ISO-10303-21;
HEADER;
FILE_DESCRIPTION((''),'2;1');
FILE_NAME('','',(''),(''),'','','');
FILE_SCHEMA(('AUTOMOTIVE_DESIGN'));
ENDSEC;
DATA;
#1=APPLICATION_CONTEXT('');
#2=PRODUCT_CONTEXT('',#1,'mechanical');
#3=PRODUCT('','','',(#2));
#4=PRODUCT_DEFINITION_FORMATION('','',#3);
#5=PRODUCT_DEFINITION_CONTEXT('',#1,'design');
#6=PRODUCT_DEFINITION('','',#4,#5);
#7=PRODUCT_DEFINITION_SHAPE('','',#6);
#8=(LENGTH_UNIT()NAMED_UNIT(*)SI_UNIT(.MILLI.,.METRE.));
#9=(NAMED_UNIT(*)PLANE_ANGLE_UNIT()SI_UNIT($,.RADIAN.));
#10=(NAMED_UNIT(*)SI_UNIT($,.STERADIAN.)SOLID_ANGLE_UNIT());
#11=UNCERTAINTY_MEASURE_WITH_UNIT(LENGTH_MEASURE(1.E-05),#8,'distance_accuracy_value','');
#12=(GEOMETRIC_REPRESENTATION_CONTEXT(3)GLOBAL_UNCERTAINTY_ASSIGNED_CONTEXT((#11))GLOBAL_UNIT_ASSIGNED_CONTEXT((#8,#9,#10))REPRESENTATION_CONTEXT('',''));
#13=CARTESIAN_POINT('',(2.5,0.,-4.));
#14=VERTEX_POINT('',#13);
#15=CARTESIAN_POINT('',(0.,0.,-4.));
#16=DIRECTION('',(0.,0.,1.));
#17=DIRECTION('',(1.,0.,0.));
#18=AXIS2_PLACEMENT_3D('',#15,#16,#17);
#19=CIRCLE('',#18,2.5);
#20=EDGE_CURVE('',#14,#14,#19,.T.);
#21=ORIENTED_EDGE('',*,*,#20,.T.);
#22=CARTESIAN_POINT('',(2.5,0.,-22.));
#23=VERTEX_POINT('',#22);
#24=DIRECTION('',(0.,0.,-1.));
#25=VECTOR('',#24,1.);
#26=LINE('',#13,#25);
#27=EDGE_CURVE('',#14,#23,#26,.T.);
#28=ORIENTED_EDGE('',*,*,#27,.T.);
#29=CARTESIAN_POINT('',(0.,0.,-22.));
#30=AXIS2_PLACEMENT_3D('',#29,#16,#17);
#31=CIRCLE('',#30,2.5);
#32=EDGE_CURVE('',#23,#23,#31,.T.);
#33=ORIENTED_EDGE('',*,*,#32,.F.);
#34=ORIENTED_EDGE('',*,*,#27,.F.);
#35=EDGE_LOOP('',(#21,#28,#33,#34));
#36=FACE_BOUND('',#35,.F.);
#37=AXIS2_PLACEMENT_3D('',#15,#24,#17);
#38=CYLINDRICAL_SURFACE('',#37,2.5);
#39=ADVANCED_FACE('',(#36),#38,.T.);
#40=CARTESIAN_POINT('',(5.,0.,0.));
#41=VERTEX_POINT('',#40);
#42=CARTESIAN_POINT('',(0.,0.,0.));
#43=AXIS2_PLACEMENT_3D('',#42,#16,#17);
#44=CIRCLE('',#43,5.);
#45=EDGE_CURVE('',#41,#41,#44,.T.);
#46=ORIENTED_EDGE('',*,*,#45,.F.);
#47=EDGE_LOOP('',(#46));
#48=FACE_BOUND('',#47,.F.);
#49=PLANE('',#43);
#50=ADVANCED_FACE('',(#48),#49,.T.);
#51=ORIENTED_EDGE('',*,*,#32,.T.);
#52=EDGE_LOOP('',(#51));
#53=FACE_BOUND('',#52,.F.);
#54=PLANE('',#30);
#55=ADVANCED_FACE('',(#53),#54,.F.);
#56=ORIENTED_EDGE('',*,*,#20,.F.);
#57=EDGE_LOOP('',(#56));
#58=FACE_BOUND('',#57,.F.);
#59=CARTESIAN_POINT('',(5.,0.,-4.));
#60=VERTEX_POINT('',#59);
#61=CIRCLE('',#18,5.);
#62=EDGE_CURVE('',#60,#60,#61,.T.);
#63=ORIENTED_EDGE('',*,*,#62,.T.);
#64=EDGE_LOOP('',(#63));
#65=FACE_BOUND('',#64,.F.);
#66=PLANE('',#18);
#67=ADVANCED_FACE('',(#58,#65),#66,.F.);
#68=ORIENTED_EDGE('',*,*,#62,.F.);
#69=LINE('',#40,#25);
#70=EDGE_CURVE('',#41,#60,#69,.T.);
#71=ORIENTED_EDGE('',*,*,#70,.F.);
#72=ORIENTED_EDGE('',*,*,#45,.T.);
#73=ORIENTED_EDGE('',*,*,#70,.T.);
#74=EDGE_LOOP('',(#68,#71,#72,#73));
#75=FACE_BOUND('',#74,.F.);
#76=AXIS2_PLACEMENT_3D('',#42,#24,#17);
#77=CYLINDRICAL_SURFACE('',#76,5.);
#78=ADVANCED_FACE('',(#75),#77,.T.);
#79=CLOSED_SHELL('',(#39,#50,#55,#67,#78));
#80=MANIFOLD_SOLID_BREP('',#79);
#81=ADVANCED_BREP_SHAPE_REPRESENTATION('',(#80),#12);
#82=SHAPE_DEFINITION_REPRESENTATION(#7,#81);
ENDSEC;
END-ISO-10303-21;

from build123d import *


with BuildPart() as part:
    # Sketch → Revolution (revolve)
    with BuildSketch(Plane.XZ):
        Polygon((0, 0), (5, 0), (5, -4), (2.5, -4), (2.5, -22), (0, -22), align=None)
    revolve(axis=Axis((0, 0, 0), (0, 0, 1)))


solid = part.part
